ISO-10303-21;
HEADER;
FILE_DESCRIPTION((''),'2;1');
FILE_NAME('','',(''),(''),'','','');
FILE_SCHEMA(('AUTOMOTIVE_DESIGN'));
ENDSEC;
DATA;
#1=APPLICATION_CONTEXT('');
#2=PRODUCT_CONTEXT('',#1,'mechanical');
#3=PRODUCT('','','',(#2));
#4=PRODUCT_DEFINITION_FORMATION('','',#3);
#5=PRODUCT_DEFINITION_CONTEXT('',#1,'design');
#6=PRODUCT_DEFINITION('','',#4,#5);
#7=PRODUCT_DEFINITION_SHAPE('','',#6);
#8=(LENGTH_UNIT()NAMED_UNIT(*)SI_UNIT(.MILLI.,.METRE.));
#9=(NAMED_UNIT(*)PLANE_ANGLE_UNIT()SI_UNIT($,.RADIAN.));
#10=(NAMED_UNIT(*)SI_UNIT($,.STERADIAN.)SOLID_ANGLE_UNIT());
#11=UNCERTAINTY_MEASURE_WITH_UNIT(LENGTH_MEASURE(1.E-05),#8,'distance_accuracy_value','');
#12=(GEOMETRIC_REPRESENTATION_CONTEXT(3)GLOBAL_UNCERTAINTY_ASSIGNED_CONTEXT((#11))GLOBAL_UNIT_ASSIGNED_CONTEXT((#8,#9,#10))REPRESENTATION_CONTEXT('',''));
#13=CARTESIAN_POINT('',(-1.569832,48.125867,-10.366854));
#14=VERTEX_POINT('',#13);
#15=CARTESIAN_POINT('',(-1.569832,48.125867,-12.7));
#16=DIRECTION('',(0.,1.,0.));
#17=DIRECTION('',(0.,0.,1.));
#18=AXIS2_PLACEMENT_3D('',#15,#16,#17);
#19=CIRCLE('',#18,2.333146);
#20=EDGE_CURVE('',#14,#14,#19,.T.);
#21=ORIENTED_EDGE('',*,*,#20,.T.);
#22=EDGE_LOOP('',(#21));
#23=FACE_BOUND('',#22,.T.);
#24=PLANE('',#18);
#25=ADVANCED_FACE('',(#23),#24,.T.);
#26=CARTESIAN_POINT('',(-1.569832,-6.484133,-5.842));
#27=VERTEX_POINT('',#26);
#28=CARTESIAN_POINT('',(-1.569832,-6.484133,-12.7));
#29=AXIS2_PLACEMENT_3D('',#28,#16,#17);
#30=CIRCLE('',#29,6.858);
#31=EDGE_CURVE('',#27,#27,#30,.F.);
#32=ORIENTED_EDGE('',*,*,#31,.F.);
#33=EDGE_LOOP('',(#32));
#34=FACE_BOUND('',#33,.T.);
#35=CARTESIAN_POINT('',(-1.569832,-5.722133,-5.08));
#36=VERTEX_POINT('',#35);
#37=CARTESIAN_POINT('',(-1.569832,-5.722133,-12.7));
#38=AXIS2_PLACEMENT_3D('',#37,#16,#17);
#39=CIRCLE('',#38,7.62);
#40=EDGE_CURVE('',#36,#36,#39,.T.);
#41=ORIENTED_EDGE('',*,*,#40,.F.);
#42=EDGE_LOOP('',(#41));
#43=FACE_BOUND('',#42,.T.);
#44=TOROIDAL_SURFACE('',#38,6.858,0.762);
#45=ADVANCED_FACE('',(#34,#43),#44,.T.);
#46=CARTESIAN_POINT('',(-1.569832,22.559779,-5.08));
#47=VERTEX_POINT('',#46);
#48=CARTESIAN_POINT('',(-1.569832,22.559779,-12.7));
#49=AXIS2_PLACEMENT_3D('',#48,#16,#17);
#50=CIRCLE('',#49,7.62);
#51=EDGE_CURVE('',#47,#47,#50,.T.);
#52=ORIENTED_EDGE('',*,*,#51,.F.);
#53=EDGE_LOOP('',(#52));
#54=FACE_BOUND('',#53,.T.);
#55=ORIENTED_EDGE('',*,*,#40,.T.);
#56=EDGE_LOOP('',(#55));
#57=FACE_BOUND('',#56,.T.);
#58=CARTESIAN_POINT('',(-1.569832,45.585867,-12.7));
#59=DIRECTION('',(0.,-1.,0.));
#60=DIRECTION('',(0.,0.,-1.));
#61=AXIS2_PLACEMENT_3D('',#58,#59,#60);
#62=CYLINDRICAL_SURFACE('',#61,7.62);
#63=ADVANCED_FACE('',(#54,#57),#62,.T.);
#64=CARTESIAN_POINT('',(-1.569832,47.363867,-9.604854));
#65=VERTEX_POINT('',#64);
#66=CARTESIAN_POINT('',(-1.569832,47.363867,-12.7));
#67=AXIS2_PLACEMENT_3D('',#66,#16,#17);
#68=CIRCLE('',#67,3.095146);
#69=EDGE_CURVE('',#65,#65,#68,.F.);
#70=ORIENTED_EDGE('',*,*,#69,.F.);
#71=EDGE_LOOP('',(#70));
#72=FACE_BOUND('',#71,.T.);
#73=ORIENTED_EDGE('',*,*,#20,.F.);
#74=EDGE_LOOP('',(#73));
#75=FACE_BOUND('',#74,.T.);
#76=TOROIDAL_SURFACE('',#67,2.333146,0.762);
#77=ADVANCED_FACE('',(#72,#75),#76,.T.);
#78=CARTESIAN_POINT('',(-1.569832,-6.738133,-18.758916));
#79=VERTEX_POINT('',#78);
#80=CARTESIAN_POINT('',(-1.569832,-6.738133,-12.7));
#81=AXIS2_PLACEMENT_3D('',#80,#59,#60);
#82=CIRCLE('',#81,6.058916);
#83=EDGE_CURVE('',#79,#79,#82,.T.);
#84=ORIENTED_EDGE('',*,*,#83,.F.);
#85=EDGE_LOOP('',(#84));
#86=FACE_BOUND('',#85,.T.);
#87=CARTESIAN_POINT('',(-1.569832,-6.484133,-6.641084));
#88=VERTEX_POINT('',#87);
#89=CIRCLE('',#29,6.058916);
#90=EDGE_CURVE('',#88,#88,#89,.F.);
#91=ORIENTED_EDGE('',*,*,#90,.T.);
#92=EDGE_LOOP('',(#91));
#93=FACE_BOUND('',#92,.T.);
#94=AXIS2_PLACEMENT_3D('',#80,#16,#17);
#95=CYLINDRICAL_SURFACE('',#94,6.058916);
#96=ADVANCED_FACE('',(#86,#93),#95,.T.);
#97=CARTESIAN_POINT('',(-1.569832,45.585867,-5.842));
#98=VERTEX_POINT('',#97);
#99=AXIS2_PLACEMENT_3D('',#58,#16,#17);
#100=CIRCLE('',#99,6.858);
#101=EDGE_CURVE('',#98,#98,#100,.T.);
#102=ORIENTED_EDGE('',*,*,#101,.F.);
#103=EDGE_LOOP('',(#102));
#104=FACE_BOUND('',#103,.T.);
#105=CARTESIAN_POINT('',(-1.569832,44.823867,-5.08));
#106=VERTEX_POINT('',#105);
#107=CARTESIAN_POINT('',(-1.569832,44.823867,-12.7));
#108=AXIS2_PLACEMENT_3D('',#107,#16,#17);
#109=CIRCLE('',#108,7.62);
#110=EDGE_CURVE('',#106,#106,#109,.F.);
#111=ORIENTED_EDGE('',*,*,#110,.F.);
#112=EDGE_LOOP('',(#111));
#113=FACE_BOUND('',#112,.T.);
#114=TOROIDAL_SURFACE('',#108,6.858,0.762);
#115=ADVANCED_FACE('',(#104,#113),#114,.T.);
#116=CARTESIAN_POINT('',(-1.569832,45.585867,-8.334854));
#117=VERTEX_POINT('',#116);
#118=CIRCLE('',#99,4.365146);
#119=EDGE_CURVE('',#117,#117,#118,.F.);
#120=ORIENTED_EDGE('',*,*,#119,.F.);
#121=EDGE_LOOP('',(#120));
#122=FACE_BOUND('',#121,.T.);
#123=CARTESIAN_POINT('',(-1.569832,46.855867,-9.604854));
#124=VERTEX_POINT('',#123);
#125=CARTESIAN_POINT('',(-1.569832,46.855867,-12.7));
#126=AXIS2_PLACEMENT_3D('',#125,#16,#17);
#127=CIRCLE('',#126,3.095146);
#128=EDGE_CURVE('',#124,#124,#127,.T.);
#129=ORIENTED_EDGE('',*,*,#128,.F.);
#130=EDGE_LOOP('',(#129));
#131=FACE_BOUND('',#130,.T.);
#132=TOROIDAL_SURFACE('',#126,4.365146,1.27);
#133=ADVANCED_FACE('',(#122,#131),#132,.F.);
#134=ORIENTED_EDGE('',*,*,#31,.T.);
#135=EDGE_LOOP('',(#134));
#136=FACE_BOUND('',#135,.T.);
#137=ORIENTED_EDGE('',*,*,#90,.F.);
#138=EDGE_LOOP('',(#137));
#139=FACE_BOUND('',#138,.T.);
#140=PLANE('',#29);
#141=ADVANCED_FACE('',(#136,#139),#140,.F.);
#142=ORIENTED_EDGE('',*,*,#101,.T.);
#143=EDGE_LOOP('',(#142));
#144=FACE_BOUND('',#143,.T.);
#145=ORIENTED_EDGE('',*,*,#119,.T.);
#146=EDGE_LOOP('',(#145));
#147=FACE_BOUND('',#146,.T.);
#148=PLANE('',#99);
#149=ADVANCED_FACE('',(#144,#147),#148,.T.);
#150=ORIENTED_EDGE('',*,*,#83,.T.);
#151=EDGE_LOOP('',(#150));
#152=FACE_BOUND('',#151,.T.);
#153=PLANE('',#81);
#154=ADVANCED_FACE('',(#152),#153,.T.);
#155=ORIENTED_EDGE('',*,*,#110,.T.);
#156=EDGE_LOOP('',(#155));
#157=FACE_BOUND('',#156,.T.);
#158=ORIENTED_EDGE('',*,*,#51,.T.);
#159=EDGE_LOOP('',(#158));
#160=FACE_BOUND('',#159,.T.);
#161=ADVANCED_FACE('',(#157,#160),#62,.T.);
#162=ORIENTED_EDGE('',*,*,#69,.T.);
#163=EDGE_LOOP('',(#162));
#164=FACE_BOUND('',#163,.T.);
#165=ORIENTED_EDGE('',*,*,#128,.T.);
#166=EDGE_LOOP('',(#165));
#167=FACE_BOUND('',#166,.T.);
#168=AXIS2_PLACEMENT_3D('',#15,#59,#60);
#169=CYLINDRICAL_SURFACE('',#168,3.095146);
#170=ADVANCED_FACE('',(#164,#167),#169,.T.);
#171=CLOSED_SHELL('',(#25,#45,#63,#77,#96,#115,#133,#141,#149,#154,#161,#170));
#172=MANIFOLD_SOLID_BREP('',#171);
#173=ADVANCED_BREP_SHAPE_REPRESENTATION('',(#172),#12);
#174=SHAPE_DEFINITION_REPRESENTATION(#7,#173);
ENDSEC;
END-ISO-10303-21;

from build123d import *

# Parameters (mm, degrees)
SKETCH2_R           = 7.62
BASE_EXTRUDE_DEPTH  = 52.07
SKETCH3_R           = 3.095145707
BOSS_EXTRUDE1_DEPTH = 2.54
SKETCH4_R           = 6.05891649
BOSS_EXTRUDE2_DEPTH = 0.254
FILLET1_R           = 1.27
FILLET2_R           = 0.762


with BuildPart() as part:
    # Sketch2 → Base-Extrude (new body)
    with BuildSketch(Plane(origin=(0, -6.48413253, 0), x_dir=(-1, 0, 0), z_dir=(0, 1, 0))):
        with Locations((1.569832191, -12.7)):
            Circle(SKETCH2_R)
    extrude(amount=BASE_EXTRUDE_DEPTH)

    # Sketch3 → Boss-Extrude1 (add)
    with BuildSketch(Plane(origin=(0, 45.58586747, 0), x_dir=(-1, 0, 0), z_dir=(0, 1, 0))):
        with Locations((1.569832191, -12.7)):
            Circle(SKETCH3_R)
    extrude(amount=BOSS_EXTRUDE1_DEPTH)

    # Sketch4 → Boss-Extrude2 (add)
    with BuildSketch(Plane.XZ.offset(6.48413253)):
        with Locations((-1.569832191, -12.7)):
            Circle(SKETCH4_R)
    extrude(amount=BOSS_EXTRUDE2_DEPTH)

    # Fillet1
    fillet1_edges = [part.edges().sort_by_distance(p)[0] for p in [
        (1.525313516, 45.58586747, -12.7),
    ]]
    fillet(fillet1_edges, radius=FILLET1_R)

    # Fillet2
    fillet2_edges = [part.edges().sort_by_distance(p)[0] for p in [
        (6.050167809, -6.48413253, -12.7),
        (6.050167809, 45.58586747, -12.7),
        (1.525313516, 48.12586747, -12.7),
    ]]
    fillet(fillet2_edges, radius=FILLET2_R)


solid = part.part
